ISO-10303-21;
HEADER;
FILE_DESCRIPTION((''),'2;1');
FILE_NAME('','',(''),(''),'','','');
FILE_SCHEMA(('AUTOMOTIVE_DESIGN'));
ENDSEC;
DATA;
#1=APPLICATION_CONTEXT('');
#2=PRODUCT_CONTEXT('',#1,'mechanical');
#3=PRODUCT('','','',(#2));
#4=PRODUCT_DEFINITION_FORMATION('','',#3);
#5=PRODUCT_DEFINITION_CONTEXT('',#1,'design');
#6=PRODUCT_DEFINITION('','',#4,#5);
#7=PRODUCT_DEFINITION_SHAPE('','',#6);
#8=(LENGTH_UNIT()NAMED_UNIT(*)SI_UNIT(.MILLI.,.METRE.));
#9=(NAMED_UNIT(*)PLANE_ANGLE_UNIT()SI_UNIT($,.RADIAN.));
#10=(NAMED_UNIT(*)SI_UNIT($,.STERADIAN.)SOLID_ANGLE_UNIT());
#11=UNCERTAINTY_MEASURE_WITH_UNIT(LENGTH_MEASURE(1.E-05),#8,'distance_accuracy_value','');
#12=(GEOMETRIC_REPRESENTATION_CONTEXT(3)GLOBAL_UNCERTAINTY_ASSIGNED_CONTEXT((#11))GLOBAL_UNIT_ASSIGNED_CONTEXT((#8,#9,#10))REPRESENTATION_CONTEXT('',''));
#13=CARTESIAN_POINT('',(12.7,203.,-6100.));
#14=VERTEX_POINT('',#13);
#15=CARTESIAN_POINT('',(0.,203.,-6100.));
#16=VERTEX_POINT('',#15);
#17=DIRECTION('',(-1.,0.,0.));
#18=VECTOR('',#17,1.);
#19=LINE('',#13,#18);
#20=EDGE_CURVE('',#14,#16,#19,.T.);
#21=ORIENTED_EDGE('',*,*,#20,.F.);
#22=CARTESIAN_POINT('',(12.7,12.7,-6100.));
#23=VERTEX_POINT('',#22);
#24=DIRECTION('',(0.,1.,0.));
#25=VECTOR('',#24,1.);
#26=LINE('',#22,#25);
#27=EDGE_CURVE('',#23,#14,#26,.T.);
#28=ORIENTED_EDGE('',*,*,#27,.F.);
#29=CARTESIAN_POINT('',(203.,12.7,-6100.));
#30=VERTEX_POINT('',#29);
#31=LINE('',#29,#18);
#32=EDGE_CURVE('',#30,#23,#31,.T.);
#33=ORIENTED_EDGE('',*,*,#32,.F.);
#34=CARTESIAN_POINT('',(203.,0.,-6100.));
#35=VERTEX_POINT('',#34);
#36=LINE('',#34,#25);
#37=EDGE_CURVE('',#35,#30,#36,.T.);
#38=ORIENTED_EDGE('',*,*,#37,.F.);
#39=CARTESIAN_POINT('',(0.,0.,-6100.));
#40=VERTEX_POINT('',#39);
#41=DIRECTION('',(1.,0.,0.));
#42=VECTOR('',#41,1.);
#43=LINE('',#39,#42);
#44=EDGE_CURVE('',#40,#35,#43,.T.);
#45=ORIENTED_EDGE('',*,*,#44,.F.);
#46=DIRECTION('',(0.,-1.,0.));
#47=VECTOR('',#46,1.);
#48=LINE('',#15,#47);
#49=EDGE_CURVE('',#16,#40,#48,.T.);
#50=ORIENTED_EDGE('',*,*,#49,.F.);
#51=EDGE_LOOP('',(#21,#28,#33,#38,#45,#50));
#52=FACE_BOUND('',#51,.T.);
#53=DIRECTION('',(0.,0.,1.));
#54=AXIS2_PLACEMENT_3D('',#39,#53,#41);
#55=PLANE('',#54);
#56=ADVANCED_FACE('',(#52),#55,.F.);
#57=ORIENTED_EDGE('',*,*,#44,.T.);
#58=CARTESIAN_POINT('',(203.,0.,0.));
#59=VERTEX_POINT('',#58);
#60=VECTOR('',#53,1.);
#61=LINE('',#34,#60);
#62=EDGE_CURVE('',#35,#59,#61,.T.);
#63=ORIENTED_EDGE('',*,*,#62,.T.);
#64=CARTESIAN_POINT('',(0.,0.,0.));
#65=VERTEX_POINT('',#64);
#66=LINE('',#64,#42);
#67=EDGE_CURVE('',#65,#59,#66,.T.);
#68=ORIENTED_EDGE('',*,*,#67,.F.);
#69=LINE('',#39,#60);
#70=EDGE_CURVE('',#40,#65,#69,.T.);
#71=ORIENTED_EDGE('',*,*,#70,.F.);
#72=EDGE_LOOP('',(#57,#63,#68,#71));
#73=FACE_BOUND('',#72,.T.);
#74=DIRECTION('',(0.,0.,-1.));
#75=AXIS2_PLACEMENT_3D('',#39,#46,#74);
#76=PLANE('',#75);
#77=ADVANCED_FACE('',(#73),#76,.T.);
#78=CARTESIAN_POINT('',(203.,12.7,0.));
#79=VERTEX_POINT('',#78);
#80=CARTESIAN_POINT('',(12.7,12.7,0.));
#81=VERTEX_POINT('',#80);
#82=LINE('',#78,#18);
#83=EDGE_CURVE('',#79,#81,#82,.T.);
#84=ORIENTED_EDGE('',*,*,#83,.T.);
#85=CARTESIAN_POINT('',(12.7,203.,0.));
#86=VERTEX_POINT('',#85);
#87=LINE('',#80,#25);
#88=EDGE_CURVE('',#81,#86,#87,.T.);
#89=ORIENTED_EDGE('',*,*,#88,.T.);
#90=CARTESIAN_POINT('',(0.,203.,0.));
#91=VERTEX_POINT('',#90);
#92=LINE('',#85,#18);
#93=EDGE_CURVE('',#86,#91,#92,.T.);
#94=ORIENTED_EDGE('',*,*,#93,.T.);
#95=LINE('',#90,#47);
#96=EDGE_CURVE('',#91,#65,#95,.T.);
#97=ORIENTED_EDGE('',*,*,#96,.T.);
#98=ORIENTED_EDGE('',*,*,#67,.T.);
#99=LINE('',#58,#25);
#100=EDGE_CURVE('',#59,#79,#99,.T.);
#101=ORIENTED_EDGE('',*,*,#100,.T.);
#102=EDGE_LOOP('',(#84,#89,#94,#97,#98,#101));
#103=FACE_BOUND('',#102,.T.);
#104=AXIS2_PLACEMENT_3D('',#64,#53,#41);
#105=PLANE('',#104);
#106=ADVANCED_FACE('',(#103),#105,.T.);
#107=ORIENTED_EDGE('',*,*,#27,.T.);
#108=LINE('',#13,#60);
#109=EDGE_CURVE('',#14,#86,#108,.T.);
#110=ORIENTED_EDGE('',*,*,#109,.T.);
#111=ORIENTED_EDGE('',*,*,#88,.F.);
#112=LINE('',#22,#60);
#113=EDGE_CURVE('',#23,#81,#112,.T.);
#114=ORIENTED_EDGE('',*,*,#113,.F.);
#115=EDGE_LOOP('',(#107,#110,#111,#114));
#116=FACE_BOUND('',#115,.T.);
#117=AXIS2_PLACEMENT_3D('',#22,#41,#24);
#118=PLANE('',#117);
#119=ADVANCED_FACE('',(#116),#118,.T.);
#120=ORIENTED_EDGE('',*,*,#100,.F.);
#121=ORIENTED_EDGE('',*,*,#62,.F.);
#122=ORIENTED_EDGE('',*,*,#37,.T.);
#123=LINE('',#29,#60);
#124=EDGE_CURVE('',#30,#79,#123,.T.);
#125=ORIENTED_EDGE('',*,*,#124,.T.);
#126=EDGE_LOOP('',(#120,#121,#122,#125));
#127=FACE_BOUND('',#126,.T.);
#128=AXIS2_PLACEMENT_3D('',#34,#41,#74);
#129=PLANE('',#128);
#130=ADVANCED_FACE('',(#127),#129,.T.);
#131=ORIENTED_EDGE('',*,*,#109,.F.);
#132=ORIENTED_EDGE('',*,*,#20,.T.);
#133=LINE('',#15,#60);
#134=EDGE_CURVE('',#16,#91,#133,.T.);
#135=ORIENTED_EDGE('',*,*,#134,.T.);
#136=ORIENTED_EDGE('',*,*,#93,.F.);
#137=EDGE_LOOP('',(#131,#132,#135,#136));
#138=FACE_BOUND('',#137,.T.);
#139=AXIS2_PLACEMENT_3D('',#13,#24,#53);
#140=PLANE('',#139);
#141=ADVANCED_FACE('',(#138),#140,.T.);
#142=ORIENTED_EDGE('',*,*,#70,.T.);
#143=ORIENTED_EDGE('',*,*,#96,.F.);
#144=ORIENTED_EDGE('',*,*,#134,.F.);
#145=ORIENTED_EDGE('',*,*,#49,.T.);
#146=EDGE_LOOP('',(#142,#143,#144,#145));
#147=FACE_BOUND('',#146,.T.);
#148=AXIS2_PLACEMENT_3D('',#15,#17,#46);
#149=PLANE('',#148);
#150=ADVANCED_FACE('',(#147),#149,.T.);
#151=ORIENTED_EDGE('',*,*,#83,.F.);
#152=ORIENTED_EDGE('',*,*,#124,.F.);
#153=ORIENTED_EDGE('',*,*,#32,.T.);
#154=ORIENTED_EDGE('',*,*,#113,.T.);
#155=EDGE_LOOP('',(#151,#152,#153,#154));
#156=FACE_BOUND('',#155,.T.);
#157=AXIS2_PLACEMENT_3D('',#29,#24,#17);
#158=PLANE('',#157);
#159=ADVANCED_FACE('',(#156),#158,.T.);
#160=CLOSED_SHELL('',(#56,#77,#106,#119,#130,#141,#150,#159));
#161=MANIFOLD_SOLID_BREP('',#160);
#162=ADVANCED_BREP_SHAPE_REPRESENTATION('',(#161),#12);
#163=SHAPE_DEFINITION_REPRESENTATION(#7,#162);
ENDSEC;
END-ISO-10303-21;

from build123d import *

# Parameters (mm, degrees)
SALIENTE_EXTRUIR1_DEPTH = 6100


with BuildPart() as part:
    # Croquis1 → Saliente-Extruir1 (new body)
    with BuildSketch(Plane.XY):
        Polygon((0, 203), (0, 0), (203, 0), (203, 12.7), (12.7, 12.7), (12.7, 203), align=None)
    extrude(amount=-SALIENTE_EXTRUIR1_DEPTH)


solid = part.part
